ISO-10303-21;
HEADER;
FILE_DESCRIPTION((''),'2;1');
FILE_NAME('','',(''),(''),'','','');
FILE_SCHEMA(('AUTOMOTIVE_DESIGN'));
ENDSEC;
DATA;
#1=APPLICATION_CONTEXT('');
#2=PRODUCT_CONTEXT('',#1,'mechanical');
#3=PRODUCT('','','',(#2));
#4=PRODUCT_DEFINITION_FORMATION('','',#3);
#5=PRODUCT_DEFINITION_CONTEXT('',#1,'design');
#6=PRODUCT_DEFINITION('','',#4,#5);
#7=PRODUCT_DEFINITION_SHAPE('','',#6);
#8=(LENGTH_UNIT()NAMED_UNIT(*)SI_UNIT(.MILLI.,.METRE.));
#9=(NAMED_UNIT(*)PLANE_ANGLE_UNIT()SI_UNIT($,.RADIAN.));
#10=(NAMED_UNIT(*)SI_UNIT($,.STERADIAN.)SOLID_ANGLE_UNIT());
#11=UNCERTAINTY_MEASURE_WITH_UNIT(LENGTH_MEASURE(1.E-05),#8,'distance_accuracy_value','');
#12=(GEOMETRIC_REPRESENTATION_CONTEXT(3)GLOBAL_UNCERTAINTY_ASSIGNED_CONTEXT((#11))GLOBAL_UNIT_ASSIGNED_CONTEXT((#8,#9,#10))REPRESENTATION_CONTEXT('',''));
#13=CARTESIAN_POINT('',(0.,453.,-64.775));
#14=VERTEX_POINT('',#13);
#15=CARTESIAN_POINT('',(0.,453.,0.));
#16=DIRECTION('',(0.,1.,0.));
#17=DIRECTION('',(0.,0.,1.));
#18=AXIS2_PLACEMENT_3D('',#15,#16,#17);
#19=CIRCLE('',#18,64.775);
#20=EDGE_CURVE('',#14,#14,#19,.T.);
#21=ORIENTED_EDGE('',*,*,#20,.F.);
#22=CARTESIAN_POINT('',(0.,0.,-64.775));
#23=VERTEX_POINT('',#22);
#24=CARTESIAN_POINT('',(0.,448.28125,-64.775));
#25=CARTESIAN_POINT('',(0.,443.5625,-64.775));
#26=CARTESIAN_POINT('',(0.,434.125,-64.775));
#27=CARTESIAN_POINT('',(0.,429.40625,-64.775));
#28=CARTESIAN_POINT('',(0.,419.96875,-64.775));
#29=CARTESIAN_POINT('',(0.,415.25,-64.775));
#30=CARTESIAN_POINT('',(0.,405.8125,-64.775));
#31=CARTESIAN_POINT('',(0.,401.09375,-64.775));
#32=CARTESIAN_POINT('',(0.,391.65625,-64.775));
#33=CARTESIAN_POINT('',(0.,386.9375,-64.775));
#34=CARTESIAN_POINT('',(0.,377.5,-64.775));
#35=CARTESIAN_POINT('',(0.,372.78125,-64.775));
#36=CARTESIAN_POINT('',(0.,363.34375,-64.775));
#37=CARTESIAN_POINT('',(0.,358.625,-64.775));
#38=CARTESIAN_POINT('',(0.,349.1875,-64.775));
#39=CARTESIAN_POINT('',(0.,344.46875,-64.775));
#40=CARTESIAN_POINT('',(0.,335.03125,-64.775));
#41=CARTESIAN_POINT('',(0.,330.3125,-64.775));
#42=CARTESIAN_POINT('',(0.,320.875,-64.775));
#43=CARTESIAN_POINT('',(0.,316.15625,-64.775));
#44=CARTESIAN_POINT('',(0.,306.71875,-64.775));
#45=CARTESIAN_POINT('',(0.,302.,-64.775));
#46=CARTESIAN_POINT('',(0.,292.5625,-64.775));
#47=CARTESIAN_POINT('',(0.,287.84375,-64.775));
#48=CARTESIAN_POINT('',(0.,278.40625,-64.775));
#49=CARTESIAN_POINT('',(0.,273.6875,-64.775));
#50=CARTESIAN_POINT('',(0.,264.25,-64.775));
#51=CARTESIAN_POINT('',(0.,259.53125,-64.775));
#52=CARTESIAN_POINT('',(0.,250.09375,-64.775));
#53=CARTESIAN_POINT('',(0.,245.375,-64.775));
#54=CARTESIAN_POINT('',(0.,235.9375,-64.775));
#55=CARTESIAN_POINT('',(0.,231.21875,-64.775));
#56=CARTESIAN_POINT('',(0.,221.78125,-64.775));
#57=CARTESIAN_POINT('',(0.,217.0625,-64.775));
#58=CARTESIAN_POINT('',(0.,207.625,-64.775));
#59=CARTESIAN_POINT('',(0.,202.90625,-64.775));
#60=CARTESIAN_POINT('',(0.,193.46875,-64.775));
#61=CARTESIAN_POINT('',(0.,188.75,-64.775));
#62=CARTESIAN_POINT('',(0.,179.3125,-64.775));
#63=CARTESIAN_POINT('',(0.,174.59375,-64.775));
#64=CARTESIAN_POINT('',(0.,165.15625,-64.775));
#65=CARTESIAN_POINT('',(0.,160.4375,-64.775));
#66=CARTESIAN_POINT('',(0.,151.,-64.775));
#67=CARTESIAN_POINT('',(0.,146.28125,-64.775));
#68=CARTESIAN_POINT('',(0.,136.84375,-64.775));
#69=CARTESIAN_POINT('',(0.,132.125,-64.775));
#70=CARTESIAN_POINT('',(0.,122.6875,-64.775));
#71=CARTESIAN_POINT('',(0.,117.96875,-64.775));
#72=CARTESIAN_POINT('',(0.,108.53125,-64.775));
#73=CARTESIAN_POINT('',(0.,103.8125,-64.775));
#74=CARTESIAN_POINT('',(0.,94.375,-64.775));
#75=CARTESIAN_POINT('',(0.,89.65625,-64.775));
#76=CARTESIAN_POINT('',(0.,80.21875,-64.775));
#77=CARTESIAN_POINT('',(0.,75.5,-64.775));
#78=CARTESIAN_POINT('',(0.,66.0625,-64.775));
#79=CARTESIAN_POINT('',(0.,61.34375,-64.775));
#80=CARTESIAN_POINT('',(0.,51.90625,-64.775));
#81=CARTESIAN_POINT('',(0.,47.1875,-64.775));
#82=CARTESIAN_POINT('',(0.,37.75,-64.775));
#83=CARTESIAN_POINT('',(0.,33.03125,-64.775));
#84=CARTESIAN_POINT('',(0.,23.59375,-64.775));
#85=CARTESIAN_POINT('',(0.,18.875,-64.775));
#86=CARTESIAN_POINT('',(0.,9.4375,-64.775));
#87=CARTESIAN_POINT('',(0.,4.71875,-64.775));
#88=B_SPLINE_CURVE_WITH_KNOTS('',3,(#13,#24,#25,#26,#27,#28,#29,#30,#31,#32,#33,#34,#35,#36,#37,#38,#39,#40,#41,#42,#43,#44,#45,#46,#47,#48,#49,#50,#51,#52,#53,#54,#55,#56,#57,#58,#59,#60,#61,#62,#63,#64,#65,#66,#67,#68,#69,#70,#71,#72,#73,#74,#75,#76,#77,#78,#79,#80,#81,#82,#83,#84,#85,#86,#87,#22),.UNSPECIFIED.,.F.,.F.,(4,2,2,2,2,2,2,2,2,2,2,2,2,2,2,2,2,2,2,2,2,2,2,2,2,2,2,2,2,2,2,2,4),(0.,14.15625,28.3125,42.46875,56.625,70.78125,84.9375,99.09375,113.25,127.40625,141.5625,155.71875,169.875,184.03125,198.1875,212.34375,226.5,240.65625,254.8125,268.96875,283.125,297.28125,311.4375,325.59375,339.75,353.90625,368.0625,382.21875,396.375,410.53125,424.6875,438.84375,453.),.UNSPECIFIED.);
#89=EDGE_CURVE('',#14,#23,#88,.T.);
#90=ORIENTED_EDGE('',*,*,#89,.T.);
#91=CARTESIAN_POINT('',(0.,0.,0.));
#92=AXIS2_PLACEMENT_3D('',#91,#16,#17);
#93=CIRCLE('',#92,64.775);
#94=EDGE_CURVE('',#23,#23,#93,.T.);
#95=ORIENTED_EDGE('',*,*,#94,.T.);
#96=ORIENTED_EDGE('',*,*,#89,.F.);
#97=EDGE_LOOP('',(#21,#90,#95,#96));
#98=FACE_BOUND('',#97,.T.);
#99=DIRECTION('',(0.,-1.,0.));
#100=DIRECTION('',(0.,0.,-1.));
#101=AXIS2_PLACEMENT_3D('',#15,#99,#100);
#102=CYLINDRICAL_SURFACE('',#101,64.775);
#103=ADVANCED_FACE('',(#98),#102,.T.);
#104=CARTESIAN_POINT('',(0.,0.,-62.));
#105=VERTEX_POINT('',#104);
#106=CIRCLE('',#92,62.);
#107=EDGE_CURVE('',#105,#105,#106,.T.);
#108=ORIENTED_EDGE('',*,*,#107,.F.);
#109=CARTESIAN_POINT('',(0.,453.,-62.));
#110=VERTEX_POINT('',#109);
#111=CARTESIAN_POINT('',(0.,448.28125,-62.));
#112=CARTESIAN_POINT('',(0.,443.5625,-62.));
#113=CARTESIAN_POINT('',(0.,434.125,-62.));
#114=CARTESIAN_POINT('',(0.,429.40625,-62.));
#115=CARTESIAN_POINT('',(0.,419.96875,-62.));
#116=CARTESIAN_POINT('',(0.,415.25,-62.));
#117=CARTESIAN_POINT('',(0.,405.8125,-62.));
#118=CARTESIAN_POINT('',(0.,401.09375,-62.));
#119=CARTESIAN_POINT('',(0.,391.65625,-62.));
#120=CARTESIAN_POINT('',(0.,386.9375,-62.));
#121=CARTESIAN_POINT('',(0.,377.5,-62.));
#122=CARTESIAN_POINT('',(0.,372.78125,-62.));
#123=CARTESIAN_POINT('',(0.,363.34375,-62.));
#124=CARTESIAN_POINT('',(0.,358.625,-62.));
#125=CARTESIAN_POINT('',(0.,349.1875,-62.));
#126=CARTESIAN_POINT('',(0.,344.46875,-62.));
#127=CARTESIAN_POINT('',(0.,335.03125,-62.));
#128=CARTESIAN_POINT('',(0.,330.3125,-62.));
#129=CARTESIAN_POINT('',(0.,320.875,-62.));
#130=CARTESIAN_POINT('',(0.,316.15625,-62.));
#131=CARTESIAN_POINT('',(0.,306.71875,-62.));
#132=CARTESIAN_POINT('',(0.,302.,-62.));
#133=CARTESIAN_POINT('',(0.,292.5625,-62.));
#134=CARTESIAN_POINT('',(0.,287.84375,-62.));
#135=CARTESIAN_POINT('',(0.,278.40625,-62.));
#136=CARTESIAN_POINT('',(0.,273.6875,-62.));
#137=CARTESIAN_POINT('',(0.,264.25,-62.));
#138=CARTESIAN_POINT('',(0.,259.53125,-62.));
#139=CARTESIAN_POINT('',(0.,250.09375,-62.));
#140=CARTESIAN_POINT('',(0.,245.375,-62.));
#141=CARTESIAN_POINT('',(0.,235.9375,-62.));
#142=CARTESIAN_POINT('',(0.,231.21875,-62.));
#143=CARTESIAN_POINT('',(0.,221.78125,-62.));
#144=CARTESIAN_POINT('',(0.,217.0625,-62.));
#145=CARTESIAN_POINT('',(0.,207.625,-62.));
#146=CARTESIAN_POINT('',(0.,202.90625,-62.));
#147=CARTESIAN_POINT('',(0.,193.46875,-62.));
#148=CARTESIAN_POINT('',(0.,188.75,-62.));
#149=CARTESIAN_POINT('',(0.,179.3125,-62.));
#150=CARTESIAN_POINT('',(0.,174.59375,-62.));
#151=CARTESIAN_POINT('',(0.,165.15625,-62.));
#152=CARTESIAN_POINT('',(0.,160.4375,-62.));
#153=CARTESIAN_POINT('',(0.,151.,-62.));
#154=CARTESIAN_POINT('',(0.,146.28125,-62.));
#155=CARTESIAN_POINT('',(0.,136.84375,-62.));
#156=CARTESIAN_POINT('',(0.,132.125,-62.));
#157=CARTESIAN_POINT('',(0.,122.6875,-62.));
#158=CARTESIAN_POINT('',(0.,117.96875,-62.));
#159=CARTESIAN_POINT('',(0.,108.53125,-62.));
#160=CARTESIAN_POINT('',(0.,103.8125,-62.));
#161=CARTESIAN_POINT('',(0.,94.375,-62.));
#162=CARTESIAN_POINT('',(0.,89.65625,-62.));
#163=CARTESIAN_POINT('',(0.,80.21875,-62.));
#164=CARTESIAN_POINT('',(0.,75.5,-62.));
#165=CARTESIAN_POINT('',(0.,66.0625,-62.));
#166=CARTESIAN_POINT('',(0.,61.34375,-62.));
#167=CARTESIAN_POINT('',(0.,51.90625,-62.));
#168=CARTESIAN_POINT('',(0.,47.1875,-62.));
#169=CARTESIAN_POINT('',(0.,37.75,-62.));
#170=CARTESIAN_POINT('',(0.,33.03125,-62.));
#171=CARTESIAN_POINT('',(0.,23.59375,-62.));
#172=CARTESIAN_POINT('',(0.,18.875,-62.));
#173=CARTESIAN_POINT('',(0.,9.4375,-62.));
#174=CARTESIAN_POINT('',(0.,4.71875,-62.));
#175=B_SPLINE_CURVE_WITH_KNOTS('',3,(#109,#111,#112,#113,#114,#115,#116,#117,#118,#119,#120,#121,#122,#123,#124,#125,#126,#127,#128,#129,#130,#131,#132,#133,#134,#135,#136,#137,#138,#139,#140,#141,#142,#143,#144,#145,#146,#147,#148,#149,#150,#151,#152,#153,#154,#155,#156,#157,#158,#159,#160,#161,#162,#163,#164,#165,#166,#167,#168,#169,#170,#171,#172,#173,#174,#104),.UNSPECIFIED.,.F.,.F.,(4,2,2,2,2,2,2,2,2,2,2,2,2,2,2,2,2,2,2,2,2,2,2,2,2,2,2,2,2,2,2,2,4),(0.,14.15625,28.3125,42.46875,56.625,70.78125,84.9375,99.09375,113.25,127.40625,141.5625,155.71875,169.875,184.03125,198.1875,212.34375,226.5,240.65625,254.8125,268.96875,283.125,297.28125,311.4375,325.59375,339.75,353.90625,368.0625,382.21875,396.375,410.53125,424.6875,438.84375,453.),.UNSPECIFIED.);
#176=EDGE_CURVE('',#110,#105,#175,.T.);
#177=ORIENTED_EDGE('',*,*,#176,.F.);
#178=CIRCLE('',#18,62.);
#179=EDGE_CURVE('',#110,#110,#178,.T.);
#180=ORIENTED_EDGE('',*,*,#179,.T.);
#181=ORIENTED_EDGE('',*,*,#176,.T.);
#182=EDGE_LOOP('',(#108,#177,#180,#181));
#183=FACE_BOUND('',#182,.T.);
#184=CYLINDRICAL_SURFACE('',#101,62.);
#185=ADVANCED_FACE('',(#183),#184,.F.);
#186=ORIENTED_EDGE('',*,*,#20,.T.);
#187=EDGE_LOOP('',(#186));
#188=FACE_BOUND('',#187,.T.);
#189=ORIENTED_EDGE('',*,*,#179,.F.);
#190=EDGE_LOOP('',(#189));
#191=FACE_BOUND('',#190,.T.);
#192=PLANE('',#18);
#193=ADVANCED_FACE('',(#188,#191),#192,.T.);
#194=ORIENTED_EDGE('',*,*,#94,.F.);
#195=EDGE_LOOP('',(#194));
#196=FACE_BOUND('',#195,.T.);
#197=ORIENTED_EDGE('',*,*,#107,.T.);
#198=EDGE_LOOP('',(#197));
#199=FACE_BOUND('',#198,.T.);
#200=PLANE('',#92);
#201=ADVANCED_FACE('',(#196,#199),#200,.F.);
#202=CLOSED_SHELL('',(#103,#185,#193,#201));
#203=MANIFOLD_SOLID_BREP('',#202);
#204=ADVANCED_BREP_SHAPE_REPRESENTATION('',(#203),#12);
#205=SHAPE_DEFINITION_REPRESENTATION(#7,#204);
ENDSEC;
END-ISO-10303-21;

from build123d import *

# Parameters (mm, degrees)
SZKIC1_R                    = 64.775
SZKIC1_R_2                  = 62
DODANIE_WYCI_GNI_CIE1_DEPTH = 453


with BuildPart() as part:
    # Szkic1 → Dodanie-wyciągnięcie1 (new body)
    with BuildSketch(Plane(origin=(0, 0, 0), x_dir=(1, 0, 0), z_dir=(0, 1, 0))):
        with Locations(Location((0, 0, 0), (0, 0, 90))):
            Circle(SZKIC1_R)
        with Locations(Location((0, 0, 0), (0, 0, 90))):
            Circle(SZKIC1_R_2, mode=Mode.SUBTRACT)
    extrude(amount=DODANIE_WYCI_GNI_CIE1_DEPTH)


solid = part.part
